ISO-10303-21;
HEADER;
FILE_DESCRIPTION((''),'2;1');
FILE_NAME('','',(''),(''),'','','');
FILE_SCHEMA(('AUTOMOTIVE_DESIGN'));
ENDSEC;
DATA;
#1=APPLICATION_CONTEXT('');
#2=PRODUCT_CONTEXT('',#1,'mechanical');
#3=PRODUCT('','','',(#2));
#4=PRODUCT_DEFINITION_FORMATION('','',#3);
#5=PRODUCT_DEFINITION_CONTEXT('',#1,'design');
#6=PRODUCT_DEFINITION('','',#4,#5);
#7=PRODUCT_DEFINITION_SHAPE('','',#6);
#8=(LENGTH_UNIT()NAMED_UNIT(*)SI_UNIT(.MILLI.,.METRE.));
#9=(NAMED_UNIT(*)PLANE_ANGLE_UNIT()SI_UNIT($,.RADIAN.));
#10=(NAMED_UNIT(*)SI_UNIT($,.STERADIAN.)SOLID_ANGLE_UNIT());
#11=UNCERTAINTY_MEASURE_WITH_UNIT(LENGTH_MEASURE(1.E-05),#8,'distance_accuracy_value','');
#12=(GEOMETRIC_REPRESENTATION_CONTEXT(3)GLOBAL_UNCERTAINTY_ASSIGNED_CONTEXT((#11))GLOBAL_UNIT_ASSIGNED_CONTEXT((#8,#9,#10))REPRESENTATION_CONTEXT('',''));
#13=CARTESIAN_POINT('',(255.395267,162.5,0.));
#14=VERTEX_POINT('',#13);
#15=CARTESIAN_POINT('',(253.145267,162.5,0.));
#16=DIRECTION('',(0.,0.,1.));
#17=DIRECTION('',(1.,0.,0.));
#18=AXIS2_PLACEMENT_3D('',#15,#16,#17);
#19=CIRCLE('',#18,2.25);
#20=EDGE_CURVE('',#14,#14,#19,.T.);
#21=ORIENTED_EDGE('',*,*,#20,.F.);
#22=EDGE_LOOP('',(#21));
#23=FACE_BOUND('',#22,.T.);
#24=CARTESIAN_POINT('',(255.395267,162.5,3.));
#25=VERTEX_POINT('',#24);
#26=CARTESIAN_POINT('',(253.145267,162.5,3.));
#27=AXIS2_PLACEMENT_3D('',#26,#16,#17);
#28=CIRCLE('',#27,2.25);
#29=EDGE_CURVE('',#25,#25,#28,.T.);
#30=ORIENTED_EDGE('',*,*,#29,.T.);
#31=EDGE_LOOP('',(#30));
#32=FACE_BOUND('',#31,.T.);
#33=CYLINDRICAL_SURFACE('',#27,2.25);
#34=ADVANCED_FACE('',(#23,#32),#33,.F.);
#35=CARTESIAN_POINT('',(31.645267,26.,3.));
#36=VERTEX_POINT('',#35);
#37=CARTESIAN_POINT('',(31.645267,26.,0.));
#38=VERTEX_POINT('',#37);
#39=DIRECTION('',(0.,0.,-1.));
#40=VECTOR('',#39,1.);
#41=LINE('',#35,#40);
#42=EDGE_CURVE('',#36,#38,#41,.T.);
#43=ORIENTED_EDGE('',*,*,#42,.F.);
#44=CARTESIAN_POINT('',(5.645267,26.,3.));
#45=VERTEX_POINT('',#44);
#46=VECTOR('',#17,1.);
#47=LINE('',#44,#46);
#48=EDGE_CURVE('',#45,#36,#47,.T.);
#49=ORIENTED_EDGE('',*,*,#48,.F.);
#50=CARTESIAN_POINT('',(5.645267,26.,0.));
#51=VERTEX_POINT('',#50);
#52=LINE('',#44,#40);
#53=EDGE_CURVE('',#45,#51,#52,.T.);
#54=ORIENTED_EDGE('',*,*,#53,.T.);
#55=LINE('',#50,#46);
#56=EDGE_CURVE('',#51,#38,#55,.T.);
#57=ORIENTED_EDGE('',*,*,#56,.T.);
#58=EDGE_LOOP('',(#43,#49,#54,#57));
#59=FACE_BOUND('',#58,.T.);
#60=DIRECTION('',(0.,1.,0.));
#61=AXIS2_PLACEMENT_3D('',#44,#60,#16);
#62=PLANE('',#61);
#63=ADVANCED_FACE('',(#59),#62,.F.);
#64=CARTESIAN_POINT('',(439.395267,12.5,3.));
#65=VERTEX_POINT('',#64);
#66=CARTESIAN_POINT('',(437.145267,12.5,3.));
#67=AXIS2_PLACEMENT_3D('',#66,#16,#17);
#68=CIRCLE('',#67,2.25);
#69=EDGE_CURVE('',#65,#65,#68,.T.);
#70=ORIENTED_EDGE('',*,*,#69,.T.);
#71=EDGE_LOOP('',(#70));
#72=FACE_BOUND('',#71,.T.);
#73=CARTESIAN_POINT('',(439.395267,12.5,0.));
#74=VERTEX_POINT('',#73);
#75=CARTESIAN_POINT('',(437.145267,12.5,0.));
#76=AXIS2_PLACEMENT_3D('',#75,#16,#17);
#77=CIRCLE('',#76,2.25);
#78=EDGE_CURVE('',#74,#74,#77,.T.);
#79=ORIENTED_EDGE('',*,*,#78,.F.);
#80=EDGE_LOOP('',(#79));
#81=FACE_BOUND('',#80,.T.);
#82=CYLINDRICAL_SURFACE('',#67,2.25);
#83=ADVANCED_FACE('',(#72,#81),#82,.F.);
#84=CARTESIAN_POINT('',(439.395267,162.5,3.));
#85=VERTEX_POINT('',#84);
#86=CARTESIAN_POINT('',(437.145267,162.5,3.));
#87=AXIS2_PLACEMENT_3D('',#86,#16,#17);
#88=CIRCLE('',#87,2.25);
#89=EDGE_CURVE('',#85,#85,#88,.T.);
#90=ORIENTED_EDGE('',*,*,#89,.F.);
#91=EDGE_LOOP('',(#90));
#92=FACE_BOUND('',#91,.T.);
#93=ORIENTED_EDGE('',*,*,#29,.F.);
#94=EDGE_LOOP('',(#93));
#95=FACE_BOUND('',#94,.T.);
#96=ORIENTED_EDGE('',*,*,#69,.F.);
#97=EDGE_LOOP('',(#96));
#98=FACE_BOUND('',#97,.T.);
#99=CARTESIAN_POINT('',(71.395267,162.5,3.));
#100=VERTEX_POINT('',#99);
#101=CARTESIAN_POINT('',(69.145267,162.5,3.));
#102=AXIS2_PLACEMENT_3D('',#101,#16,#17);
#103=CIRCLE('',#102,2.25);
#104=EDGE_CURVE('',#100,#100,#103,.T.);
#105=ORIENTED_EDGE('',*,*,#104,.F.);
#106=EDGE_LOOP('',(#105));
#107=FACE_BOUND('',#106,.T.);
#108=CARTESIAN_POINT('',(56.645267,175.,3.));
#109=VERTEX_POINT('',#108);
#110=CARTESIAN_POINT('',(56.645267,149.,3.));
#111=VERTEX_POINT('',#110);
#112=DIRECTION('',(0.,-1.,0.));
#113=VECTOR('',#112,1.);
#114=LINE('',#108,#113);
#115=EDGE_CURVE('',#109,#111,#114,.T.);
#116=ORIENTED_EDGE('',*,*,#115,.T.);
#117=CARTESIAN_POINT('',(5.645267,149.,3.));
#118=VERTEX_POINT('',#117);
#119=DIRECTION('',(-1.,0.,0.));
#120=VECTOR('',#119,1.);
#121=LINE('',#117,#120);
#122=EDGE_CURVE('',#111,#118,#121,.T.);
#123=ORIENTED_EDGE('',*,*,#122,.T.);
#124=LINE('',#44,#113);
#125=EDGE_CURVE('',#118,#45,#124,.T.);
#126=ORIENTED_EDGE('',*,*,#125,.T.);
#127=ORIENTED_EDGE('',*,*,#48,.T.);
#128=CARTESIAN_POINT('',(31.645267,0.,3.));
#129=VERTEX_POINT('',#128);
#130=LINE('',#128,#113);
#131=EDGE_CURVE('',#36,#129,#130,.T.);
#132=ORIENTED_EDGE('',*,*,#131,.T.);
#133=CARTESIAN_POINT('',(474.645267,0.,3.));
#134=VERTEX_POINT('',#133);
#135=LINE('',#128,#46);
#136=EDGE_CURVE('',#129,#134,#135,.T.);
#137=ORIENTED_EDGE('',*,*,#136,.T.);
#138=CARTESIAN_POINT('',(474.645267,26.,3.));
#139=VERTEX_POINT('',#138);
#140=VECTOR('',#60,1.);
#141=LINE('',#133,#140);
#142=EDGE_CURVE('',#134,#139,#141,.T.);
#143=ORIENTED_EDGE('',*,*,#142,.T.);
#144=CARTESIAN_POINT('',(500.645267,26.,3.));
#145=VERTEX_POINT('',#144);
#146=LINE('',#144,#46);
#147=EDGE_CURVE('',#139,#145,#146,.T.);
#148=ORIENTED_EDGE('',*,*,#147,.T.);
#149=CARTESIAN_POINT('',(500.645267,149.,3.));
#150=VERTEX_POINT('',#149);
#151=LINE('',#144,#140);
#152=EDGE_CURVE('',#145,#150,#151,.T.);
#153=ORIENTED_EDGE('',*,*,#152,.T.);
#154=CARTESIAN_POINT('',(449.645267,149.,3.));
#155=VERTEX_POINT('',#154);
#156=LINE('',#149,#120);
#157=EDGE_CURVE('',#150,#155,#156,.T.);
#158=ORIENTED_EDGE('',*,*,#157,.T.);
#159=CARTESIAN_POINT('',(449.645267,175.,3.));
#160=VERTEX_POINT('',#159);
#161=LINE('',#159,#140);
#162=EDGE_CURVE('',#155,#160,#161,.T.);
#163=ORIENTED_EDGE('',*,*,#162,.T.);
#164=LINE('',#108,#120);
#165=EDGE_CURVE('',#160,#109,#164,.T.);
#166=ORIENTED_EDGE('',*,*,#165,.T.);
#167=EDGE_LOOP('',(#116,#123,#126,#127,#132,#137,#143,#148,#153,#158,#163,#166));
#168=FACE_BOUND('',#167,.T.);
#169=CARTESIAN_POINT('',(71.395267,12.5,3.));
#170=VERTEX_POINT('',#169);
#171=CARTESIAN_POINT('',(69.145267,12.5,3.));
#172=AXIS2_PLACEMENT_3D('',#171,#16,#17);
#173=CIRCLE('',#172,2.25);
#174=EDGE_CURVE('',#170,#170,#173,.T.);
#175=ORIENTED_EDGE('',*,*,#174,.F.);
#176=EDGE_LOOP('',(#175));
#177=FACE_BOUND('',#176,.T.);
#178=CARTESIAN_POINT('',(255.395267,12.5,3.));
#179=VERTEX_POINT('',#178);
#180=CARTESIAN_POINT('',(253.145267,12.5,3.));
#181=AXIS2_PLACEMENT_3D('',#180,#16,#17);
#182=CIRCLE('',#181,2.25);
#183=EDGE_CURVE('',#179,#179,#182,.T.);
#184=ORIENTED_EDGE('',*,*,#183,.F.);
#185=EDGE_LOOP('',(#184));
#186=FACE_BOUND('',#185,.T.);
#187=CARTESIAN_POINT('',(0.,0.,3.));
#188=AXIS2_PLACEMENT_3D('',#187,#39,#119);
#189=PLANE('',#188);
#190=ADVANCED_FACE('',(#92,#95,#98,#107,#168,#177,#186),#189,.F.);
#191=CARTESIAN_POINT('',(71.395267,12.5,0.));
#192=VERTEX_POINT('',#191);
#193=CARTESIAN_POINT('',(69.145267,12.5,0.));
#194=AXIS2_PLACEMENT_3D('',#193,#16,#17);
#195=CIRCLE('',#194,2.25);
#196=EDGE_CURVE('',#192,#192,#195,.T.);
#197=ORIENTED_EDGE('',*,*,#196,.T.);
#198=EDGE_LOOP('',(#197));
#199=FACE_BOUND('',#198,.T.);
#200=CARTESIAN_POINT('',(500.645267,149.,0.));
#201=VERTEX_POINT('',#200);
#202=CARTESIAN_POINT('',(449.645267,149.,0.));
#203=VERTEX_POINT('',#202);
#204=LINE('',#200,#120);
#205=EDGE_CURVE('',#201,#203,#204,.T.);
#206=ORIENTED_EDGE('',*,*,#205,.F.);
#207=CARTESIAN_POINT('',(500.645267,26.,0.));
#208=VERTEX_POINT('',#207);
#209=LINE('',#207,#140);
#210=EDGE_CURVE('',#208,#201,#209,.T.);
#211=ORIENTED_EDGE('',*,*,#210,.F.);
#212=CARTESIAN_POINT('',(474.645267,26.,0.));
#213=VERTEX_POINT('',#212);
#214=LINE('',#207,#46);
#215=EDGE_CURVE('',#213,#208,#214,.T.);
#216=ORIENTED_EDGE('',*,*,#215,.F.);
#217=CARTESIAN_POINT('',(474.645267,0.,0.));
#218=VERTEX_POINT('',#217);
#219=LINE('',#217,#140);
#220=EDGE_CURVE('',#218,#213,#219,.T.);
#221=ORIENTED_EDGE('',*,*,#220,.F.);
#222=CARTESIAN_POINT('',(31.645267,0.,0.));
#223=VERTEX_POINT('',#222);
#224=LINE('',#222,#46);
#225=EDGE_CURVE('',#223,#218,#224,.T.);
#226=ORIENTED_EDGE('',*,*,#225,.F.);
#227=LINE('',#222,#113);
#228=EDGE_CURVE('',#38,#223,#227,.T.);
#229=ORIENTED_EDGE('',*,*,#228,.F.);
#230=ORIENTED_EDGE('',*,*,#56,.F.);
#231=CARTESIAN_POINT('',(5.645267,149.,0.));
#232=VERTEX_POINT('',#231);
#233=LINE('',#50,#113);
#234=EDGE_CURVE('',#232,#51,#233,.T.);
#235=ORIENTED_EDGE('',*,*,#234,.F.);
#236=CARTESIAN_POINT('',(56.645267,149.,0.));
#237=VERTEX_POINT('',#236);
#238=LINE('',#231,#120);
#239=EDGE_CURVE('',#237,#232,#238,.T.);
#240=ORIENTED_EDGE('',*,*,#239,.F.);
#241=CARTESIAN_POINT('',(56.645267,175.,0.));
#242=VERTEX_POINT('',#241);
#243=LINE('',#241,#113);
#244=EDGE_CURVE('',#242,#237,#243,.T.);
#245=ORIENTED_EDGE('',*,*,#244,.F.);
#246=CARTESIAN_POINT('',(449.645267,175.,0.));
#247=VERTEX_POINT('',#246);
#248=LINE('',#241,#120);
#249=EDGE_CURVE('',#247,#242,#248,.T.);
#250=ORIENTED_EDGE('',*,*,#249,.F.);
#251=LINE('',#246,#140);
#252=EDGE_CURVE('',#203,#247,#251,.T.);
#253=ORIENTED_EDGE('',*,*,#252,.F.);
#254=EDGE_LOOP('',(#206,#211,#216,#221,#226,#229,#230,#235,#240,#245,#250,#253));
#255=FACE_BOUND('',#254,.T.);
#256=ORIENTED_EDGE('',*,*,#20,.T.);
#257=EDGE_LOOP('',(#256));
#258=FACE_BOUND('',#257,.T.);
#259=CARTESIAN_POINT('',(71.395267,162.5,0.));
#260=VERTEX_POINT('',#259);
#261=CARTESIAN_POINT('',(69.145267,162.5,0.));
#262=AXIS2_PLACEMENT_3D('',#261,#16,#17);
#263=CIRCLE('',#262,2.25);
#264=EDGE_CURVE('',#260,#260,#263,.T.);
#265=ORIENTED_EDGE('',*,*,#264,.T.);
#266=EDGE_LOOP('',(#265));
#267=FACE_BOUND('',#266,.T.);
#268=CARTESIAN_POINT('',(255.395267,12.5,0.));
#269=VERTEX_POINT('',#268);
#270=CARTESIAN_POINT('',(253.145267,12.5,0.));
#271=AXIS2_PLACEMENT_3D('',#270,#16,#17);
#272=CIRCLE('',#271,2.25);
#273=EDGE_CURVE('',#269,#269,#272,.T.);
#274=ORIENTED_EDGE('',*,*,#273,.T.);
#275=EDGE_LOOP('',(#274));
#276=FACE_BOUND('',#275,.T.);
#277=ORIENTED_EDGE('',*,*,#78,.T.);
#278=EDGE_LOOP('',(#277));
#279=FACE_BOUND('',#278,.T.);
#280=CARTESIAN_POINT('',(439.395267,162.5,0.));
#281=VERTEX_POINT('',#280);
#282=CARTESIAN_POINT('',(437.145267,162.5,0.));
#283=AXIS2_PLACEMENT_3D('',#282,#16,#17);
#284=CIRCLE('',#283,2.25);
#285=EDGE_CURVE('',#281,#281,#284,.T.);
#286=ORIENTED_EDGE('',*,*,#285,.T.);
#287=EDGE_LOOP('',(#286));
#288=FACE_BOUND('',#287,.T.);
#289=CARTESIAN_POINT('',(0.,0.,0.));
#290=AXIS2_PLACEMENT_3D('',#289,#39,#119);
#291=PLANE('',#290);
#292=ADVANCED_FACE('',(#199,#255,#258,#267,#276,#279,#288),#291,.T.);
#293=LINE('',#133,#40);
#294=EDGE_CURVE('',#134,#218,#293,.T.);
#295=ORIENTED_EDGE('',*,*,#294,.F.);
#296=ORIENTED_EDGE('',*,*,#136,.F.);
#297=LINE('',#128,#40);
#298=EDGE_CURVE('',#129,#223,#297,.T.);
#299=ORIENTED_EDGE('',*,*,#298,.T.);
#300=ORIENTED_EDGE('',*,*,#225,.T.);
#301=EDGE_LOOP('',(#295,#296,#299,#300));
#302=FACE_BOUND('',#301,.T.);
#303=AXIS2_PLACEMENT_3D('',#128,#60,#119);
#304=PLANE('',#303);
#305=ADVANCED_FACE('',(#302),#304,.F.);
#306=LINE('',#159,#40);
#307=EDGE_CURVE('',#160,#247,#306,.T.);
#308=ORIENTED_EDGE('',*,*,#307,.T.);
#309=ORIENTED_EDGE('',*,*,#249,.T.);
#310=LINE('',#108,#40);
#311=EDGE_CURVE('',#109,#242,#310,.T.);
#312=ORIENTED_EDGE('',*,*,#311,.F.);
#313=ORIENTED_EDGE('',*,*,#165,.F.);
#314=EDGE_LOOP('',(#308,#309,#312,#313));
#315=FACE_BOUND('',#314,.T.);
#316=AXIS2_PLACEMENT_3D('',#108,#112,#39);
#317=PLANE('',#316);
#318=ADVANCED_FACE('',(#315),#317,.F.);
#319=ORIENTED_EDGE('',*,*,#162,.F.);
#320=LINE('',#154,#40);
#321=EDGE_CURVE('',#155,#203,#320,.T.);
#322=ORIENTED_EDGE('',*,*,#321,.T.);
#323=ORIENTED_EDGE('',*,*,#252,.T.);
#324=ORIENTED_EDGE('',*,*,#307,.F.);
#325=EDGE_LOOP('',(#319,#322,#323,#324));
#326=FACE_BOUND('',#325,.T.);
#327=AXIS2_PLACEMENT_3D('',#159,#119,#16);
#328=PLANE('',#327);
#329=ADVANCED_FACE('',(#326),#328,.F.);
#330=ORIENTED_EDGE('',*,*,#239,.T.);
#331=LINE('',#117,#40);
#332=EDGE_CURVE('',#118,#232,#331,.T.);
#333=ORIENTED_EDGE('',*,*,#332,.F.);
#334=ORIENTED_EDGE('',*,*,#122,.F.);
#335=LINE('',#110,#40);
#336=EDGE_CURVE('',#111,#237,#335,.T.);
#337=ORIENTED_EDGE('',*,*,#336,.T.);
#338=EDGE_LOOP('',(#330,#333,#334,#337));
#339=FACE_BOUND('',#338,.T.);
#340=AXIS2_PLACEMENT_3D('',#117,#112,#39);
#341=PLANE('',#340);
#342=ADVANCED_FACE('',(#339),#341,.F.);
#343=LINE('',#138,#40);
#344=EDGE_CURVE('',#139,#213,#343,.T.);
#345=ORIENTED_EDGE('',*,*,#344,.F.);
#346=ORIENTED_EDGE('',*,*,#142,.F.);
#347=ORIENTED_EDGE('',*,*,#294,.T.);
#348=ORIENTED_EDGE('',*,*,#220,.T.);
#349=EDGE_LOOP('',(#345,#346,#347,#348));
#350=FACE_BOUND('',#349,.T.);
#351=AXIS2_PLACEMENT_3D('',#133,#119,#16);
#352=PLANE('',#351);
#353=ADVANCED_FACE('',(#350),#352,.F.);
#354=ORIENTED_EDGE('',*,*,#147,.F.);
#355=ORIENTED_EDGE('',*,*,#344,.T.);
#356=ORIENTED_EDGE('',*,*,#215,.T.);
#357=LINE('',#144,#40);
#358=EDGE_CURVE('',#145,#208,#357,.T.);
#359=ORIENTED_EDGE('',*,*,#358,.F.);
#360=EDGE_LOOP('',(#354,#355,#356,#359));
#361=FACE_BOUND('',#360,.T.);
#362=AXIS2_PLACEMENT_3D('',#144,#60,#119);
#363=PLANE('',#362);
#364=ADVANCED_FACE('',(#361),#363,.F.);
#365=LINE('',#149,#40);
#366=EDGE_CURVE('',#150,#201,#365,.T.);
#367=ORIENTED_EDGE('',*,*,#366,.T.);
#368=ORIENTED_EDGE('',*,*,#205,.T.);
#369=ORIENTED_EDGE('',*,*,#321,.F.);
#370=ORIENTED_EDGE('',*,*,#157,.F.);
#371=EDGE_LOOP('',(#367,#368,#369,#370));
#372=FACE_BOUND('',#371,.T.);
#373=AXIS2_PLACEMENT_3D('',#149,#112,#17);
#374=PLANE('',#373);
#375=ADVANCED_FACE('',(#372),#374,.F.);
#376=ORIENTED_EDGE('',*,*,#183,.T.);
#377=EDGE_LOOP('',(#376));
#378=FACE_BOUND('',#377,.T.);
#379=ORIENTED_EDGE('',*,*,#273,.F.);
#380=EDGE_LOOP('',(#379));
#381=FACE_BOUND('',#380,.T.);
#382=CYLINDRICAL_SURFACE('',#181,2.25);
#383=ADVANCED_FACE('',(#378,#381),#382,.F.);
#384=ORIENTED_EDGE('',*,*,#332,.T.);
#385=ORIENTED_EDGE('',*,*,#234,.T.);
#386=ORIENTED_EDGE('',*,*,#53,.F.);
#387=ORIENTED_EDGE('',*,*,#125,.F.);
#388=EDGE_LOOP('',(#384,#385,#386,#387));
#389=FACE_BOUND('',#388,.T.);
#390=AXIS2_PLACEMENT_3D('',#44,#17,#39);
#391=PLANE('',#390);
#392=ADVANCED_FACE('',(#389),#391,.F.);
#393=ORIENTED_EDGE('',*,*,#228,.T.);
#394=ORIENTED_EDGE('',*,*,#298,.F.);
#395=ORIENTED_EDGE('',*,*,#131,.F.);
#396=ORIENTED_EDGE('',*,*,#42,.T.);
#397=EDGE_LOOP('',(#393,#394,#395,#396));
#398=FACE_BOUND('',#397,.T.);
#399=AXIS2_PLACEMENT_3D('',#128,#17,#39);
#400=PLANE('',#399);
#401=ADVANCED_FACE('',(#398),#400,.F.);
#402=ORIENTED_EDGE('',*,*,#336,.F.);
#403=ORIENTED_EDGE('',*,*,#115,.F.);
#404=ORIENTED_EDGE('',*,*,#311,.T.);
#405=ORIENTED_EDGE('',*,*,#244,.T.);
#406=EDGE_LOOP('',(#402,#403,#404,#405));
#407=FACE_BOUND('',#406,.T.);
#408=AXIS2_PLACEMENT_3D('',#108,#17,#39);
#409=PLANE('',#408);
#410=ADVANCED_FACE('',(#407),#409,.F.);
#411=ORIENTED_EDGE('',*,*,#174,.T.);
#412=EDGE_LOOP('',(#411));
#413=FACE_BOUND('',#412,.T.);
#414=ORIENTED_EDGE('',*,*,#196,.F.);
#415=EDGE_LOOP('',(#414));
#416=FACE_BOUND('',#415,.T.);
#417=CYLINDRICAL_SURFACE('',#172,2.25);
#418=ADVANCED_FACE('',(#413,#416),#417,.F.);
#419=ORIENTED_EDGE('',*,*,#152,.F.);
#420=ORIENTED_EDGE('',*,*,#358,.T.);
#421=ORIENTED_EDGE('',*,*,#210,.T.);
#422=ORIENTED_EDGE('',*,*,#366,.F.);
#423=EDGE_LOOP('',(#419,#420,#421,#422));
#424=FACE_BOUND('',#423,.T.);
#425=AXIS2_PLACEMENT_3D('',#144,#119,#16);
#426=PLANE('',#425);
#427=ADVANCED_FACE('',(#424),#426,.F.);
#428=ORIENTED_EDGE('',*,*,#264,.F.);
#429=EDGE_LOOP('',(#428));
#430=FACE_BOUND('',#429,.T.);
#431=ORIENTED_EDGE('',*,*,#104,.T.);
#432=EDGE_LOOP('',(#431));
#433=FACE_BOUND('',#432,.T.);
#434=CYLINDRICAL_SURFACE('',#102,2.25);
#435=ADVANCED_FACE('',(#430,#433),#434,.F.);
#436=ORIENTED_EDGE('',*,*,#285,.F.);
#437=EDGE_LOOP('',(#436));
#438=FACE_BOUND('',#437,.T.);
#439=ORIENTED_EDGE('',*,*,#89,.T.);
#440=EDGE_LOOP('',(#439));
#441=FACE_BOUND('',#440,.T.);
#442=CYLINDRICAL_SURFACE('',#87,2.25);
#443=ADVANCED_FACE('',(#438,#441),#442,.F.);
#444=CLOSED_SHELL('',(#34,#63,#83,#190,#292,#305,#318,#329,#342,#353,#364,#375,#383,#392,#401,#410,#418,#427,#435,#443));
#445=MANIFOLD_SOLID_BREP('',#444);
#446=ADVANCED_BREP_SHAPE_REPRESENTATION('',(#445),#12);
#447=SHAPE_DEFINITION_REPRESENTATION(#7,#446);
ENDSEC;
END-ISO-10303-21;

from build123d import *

# Parameters (mm, degrees)
BOSS_EXTRUDE1_DEPTH  = 3
M4_CLEARANCE_HOLE1_D = 4.5


with BuildPart() as part:
    # Sketch1 → Boss-Extrude1 (new body)
    with BuildSketch(Plane.XY):
        Polygon((31.645266951, 0), (474.645266951, 0), (474.645266951, 26), (500.645266951, 26), (500.645266951, 149), (449.645266951, 149), (449.645266951, 175), (56.645266951, 175), (56.645266951, 149), (5.645266951, 149), (5.645266951, 26), (31.645266951, 26), align=None)
    extrude(amount=BOSS_EXTRUDE1_DEPTH)

    # M4 Clearance Hole1 (through all)
    with Locations(Plane.XY.offset(3)):
        with Locations((253.145266951, 12.5), (253.145266951, 162.5), (437.145266951, 12.5), (437.145266951, 162.5), (69.145266951, 162.5), (69.145266951, 12.5)):
            Hole(M4_CLEARANCE_HOLE1_D / 2)


solid = part.part
